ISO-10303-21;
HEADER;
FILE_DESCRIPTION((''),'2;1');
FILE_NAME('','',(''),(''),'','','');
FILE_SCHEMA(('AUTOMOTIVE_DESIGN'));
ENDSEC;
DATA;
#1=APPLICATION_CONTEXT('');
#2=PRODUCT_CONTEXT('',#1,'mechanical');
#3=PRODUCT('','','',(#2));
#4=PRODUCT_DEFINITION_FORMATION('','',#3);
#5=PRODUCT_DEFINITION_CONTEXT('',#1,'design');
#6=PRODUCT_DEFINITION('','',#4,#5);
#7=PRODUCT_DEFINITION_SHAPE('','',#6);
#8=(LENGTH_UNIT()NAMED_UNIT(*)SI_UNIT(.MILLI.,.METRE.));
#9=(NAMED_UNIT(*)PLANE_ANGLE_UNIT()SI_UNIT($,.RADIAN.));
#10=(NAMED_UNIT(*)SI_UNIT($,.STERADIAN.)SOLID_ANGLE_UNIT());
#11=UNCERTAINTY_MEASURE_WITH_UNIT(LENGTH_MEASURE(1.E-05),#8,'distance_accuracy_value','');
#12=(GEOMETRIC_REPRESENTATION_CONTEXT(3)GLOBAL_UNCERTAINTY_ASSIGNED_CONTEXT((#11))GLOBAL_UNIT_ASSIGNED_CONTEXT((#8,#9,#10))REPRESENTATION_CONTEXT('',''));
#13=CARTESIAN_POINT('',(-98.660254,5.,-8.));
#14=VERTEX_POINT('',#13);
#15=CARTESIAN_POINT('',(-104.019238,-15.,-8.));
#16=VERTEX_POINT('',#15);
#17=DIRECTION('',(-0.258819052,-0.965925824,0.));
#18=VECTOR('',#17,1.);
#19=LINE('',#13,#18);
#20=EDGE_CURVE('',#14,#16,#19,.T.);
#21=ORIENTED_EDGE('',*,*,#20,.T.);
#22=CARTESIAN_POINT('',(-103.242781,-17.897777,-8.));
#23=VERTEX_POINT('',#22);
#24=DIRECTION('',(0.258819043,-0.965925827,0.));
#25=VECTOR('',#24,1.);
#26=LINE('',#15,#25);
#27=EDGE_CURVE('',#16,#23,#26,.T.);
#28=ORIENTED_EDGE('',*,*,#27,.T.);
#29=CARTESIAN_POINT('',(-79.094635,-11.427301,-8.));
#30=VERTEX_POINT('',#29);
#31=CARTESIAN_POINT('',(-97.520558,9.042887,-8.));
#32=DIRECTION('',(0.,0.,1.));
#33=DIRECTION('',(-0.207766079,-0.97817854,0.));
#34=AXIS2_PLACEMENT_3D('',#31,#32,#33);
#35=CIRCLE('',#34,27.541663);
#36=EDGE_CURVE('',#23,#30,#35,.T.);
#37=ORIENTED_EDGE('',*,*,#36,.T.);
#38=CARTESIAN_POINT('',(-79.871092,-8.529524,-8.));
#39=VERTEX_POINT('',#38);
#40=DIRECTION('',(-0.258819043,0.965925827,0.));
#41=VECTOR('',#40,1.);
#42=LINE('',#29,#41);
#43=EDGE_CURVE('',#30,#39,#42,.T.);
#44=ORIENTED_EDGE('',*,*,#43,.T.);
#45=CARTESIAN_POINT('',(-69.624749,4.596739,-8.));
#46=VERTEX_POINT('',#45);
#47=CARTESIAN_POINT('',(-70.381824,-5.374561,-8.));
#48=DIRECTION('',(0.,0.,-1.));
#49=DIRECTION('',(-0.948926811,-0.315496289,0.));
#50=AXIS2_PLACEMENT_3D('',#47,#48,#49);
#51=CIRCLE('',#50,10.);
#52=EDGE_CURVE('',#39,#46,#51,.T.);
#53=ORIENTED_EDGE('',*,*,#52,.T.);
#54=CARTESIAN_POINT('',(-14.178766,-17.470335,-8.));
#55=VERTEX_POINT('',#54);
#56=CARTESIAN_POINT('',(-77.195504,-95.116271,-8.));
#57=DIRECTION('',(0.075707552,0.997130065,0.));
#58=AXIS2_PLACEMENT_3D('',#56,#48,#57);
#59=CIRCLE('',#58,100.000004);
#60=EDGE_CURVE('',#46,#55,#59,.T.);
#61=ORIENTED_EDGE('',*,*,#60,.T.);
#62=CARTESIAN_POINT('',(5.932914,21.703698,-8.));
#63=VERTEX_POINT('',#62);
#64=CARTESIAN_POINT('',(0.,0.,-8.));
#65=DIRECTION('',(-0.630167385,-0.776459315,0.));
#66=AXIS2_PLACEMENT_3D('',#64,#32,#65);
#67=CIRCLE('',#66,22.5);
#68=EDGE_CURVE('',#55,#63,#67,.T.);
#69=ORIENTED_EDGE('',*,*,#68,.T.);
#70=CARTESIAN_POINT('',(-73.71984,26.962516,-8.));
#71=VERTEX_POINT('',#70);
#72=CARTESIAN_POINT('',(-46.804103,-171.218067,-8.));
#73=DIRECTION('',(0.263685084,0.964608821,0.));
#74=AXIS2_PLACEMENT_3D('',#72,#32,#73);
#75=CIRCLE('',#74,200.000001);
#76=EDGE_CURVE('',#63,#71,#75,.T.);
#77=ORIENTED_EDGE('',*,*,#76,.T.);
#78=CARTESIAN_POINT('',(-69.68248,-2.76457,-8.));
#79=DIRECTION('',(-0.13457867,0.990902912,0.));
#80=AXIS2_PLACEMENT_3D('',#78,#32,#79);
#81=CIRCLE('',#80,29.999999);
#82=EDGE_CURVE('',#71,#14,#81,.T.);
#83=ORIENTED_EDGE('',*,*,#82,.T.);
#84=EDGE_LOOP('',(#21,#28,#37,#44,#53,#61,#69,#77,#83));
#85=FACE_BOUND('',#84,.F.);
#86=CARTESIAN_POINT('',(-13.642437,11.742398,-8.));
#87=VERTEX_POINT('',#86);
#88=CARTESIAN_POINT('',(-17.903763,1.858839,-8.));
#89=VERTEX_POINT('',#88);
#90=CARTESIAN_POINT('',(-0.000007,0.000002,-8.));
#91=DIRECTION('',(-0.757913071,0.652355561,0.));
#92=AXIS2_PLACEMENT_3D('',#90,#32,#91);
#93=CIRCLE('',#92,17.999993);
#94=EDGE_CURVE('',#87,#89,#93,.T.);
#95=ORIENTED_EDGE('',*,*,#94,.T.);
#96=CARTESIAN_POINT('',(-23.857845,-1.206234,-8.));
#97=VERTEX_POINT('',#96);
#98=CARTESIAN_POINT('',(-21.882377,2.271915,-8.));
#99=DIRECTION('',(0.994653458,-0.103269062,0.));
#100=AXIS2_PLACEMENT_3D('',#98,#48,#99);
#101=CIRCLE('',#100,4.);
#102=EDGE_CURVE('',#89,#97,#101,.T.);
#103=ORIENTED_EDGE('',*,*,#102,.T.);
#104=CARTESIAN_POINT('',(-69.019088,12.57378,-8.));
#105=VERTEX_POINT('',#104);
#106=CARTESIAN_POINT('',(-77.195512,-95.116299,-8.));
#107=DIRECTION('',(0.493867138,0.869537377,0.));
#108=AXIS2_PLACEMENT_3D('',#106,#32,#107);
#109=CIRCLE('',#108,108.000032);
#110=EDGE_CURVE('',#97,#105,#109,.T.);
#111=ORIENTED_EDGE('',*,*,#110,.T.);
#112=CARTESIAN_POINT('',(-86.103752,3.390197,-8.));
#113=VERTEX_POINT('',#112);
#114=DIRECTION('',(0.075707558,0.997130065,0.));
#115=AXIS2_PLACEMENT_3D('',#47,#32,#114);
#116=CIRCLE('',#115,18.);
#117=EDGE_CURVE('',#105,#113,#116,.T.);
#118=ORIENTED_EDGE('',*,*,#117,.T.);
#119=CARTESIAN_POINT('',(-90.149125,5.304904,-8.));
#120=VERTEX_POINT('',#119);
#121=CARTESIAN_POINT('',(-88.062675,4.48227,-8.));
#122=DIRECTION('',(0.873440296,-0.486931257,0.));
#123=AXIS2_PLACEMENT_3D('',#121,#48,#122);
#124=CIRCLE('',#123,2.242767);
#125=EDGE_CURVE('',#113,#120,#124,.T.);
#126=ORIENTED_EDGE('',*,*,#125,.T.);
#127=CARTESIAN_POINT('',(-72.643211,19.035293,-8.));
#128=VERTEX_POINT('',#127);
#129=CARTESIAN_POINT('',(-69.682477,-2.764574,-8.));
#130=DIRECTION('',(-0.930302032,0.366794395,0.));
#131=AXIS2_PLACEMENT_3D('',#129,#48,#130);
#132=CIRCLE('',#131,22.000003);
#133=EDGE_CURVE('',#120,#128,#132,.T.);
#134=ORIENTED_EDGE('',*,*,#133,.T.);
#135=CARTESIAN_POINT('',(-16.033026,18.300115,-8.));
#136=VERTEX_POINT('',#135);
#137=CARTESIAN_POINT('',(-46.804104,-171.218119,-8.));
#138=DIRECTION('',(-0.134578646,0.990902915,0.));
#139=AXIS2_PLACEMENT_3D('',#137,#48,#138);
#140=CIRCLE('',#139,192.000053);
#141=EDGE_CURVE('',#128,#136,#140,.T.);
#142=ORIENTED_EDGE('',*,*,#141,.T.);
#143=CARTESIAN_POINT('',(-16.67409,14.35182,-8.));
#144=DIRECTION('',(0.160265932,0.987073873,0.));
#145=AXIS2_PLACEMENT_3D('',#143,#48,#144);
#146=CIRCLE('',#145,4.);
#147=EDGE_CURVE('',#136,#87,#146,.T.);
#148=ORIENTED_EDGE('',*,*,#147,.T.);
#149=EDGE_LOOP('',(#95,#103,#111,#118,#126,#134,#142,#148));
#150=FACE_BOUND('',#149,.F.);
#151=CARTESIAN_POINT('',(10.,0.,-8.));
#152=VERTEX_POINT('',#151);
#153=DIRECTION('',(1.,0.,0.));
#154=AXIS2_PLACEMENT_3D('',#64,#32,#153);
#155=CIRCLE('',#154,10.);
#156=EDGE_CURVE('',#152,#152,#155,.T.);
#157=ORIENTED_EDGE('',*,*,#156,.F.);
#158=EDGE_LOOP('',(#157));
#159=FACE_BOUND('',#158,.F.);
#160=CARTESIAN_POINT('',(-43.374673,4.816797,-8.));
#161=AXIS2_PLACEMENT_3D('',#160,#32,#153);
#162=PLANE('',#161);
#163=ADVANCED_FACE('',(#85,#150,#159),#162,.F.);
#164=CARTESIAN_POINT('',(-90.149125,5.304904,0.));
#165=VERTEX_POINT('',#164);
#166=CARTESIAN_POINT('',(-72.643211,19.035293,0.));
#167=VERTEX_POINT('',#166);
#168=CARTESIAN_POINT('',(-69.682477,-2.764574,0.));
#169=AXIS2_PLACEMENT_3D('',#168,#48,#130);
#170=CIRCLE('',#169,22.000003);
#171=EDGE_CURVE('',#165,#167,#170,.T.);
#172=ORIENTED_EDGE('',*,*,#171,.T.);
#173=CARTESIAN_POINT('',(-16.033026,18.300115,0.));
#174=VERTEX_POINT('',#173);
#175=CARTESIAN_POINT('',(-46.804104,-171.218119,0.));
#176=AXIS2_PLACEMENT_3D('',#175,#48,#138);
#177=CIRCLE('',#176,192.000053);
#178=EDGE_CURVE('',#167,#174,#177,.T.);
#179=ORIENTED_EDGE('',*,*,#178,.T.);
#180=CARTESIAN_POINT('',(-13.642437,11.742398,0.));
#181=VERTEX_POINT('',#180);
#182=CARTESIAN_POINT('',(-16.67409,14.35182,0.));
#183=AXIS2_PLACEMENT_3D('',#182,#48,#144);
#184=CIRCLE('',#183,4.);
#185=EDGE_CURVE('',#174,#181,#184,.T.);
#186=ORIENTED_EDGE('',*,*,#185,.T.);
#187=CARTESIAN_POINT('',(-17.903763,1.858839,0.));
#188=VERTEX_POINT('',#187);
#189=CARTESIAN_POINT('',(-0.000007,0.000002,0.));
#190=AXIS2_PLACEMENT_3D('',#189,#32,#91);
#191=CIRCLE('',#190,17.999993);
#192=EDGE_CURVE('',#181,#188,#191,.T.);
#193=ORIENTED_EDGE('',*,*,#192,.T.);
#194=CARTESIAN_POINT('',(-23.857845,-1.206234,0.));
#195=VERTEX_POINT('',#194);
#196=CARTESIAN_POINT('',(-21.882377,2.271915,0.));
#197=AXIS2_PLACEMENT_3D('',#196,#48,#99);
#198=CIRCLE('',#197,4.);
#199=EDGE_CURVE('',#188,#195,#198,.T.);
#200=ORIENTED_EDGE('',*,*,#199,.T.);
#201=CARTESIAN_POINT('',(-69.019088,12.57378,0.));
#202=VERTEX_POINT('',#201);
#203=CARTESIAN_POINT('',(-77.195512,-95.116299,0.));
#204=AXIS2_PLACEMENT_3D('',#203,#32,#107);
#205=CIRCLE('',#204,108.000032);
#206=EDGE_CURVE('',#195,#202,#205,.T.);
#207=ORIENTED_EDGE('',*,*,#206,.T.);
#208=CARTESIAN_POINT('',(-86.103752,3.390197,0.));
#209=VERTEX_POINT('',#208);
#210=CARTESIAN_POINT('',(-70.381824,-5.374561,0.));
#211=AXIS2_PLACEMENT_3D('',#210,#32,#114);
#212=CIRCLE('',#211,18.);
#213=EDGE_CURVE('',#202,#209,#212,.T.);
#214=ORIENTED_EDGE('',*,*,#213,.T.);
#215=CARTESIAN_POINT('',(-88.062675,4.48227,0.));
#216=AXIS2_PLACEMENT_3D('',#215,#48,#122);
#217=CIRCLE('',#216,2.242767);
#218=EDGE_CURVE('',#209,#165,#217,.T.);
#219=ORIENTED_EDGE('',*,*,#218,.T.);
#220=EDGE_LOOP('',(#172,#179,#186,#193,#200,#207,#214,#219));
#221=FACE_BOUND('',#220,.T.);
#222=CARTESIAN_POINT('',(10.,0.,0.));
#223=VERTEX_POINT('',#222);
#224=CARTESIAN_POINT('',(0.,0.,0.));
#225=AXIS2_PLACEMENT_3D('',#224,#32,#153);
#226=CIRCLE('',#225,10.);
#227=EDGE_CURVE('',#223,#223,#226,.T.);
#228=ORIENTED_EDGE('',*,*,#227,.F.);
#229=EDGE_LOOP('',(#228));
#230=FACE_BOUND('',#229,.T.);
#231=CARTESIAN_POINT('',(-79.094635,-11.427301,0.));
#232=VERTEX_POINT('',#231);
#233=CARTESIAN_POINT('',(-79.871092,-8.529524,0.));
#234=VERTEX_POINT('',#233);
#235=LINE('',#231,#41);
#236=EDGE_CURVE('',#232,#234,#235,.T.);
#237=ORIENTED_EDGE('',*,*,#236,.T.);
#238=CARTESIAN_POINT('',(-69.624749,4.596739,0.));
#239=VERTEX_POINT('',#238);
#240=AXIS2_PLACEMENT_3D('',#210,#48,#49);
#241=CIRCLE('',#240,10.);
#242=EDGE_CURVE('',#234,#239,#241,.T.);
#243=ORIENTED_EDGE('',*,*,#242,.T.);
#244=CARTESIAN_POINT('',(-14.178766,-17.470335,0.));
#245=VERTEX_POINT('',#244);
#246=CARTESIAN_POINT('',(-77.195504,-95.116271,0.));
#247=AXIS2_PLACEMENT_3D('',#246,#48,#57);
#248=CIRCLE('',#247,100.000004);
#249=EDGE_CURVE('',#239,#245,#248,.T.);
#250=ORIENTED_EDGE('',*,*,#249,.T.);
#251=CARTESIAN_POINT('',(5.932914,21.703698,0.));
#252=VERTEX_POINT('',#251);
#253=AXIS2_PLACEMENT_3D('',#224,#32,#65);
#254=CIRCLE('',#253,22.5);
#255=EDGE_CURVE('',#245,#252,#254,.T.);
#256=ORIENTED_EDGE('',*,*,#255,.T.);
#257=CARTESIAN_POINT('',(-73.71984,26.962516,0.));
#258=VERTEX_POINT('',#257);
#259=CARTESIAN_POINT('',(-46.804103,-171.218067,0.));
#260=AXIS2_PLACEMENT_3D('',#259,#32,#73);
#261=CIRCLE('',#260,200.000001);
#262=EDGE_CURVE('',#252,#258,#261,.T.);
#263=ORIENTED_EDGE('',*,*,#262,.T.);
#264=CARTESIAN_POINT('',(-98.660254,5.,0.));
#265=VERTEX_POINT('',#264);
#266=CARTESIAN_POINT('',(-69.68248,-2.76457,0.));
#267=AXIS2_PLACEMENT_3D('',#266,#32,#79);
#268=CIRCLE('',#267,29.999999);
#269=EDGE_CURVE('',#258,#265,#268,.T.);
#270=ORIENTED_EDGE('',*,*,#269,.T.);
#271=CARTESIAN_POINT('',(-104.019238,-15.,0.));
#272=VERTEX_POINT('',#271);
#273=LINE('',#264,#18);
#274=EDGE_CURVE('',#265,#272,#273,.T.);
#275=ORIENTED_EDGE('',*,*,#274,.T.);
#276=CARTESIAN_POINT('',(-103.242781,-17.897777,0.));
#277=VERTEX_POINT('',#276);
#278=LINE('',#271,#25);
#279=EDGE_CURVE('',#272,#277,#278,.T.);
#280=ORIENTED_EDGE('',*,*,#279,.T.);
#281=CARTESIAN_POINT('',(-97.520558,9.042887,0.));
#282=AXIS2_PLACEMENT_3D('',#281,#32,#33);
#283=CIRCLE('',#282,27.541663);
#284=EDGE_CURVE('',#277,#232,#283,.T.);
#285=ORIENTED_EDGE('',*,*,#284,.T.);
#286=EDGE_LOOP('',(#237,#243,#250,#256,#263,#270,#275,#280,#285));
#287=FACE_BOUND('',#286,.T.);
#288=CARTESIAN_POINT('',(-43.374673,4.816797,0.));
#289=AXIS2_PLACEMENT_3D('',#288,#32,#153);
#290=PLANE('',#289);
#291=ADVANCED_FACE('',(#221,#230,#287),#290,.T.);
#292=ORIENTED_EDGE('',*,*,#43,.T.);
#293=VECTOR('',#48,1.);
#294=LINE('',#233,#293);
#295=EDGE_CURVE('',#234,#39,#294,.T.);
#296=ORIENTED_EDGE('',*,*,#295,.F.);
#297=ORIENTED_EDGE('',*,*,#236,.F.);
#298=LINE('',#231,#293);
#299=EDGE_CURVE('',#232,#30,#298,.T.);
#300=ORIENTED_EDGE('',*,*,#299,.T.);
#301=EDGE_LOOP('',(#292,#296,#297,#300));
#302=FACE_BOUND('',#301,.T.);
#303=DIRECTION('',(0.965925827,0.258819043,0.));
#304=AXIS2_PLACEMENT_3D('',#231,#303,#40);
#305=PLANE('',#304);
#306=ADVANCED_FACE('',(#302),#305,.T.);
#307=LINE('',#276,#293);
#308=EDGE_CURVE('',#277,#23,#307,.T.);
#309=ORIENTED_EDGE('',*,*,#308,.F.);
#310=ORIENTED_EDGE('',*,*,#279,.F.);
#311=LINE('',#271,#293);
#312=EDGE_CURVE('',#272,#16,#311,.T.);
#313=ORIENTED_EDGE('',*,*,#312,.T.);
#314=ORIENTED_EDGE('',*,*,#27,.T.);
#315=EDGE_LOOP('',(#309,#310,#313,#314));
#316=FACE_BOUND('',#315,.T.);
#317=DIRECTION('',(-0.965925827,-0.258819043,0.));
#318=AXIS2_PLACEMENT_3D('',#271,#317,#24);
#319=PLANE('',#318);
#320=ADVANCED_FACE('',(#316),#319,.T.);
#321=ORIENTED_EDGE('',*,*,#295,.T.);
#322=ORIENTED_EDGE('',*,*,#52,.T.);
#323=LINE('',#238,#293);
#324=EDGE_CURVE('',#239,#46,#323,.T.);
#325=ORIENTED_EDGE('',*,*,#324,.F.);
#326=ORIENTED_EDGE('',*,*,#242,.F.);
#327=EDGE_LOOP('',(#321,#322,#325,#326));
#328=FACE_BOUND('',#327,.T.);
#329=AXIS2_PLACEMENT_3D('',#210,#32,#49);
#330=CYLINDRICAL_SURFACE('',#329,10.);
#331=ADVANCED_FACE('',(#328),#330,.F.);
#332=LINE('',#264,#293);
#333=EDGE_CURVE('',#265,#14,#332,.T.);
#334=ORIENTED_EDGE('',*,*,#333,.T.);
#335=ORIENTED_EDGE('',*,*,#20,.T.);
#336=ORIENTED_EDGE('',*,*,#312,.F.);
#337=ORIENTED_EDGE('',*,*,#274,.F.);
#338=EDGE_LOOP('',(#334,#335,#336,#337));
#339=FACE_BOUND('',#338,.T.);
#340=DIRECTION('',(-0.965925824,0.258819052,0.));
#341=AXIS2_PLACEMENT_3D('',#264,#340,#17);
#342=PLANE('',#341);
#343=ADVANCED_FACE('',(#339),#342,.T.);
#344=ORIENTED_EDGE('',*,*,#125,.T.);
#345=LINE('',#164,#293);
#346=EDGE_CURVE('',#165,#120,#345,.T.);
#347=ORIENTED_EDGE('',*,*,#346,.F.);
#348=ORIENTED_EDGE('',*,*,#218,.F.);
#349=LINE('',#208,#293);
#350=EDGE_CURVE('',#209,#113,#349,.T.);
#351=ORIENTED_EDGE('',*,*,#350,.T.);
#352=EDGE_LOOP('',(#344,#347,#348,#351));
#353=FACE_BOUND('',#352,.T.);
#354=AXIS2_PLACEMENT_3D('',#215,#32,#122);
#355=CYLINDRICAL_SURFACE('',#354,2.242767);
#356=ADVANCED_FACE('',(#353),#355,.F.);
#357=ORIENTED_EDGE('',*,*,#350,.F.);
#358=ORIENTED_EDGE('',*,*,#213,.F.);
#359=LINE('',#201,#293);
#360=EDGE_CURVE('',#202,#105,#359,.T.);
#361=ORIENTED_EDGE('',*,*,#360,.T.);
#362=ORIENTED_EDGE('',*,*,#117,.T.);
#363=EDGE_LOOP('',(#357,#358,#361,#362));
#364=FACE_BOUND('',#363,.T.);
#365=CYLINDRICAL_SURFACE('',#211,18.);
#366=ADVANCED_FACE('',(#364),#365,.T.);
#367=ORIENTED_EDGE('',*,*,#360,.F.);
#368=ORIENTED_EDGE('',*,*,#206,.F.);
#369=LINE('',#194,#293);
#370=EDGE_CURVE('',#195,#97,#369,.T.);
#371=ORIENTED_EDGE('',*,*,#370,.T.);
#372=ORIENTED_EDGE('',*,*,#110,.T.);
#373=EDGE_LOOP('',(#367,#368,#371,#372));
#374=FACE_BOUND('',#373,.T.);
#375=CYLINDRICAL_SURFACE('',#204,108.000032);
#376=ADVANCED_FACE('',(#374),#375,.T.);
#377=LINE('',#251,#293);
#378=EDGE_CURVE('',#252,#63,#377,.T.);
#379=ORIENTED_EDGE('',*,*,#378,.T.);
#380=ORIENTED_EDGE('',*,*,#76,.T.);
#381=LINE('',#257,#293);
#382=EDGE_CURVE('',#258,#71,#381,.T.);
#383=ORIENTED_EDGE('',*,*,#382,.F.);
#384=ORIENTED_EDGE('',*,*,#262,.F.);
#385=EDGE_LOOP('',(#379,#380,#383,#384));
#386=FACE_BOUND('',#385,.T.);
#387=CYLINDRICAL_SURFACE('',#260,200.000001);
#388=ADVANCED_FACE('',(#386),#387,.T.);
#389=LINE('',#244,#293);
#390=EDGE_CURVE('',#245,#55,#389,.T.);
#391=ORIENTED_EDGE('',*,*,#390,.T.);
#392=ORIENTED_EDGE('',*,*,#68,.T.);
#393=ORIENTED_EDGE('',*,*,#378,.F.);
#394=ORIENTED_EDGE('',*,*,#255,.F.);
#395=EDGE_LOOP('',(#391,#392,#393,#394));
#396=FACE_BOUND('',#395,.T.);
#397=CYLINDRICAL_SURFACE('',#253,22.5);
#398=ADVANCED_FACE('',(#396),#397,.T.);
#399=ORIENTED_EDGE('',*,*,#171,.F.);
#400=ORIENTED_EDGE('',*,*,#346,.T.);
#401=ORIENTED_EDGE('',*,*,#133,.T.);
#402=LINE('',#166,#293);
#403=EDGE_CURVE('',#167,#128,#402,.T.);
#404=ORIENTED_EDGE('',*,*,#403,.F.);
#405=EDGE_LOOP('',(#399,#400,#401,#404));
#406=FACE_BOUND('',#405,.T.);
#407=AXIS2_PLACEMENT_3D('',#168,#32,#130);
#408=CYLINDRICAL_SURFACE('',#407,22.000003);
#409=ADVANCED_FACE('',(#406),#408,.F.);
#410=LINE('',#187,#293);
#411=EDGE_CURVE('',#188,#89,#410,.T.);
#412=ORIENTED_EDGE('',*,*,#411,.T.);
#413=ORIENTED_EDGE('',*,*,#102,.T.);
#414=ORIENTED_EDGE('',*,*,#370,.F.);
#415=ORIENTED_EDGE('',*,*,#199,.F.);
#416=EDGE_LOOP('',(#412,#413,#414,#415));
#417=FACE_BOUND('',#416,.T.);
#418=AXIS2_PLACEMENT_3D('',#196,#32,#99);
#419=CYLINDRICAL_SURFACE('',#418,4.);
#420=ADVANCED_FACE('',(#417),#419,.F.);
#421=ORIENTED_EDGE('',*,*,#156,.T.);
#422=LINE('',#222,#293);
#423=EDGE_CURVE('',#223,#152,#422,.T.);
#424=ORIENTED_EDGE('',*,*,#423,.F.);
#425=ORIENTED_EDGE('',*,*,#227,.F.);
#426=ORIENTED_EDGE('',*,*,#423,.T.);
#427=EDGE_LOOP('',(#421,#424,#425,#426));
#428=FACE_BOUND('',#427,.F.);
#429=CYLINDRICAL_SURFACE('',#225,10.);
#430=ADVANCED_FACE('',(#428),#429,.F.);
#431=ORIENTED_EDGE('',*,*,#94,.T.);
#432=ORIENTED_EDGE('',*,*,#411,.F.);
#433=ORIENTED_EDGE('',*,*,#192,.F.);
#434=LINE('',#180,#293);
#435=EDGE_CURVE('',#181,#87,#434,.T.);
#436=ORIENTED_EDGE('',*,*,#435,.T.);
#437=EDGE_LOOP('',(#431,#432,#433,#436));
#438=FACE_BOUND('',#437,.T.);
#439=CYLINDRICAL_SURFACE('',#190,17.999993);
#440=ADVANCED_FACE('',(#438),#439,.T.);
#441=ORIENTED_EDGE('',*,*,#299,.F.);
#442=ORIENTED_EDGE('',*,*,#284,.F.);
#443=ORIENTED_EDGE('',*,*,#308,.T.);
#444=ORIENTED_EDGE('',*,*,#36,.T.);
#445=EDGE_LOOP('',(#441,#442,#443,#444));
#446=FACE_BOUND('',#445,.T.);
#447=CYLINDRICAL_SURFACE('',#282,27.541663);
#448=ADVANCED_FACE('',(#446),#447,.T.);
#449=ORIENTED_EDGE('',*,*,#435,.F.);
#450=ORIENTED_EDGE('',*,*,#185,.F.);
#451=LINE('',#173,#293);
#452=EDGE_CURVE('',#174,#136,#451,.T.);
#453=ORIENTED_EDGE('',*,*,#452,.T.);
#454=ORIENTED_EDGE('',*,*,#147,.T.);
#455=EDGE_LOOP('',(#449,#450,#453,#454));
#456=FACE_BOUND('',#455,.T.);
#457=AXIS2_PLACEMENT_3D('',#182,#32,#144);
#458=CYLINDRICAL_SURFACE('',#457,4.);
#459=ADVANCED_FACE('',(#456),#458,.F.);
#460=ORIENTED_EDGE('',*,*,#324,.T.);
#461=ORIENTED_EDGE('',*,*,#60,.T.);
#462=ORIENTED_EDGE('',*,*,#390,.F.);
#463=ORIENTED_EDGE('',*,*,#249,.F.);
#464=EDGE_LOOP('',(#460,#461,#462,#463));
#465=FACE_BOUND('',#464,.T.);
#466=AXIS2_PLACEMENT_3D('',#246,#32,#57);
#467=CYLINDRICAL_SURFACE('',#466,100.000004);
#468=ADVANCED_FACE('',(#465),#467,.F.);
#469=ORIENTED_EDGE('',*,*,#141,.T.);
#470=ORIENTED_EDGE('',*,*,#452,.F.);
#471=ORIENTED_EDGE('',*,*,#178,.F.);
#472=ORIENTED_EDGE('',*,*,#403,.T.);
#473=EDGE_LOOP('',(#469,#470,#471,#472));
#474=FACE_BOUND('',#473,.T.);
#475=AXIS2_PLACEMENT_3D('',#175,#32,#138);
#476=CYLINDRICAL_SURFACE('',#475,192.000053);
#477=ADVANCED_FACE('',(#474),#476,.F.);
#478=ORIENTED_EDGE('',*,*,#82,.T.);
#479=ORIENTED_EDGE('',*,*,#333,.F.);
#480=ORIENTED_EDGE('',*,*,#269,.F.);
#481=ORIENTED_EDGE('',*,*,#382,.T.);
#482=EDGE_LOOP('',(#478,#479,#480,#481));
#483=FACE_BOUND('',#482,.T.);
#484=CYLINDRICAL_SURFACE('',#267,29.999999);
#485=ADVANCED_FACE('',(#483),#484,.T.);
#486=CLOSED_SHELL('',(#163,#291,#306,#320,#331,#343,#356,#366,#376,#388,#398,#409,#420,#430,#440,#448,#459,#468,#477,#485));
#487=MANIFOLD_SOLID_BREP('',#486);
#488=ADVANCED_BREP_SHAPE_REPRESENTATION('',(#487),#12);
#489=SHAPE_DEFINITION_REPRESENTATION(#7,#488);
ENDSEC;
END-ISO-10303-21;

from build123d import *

# Parameters (mm, degrees)
F0_R     = 10
F1_DEPTH = 8


with BuildPart() as f1:
    # F0 (on Top) → F1 (new body)
    with BuildSketch(Plane.XY):
        with BuildLine():
            ThreePointArc((-69.624749, 4.596739), (-40.217301, -2.204414), (-14.178766, -17.470335))
            ThreePointArc((-14.178766, -17.470335), (20.016237, -10.276199), (5.932914, 21.703698))
            ThreePointArc((5.932914, 21.703698), (-33.628428, 28.347466), (-73.71984, 26.962516))
            ThreePointArc((-73.71984, 26.962516), (-89.508922, 19.750139), (-98.660254, 5))
            Line((-98.660254, 5), (-100, 0))
            Line((-100, 0), (-104.019238, -15))
            Line((-104.019238, -15), (-103.242781, -17.897777))
            ThreePointArc((-103.242781, -17.897777), (-90.392251, -17.560317), (-79.094635, -11.427301))
            Line((-79.094635, -11.427301), (-79.871092, -8.529524))
            ThreePointArc((-79.871092, -8.529524), (-78.264558, 0.77869), (-69.624749, 4.596739))
        make_face()
        Circle(F0_R, mode=Mode.SUBTRACT)
        with BuildLine():
            ThreePointArc((-16.033026, 18.300115), (-12.916015, 15.72181), (-13.642437, 11.742398))
            ThreePointArc((-13.642437, 11.742398), (-16.529122, 7.12658), (-17.903763, 1.858839))
            ThreePointArc((-17.903763, 1.858839), (-20.05158, -1.284513), (-23.857845, -1.206234))
            ThreePointArc((-23.857845, -1.206234), (-45.676184, 8.182002), (-69.019088, 12.57378))
            ThreePointArc((-69.019088, 12.57378), (-78.904215, 10.480055), (-86.103752, 3.390197))
            ThreePointArc((-86.103752, 3.390197), (-89.022149, 2.455102), (-90.149125, 5.304904))
            ThreePointArc((-90.149125, 5.304904), (-83.259717, 14.546079), (-72.643211, 19.035293))
            ThreePointArc((-72.643211, 19.035293), (-44.310872, 20.765745), (-16.033026, 18.300115))
        make_face(mode=Mode.SUBTRACT)
    extrude(amount=-F1_DEPTH)


solid = f1.part
